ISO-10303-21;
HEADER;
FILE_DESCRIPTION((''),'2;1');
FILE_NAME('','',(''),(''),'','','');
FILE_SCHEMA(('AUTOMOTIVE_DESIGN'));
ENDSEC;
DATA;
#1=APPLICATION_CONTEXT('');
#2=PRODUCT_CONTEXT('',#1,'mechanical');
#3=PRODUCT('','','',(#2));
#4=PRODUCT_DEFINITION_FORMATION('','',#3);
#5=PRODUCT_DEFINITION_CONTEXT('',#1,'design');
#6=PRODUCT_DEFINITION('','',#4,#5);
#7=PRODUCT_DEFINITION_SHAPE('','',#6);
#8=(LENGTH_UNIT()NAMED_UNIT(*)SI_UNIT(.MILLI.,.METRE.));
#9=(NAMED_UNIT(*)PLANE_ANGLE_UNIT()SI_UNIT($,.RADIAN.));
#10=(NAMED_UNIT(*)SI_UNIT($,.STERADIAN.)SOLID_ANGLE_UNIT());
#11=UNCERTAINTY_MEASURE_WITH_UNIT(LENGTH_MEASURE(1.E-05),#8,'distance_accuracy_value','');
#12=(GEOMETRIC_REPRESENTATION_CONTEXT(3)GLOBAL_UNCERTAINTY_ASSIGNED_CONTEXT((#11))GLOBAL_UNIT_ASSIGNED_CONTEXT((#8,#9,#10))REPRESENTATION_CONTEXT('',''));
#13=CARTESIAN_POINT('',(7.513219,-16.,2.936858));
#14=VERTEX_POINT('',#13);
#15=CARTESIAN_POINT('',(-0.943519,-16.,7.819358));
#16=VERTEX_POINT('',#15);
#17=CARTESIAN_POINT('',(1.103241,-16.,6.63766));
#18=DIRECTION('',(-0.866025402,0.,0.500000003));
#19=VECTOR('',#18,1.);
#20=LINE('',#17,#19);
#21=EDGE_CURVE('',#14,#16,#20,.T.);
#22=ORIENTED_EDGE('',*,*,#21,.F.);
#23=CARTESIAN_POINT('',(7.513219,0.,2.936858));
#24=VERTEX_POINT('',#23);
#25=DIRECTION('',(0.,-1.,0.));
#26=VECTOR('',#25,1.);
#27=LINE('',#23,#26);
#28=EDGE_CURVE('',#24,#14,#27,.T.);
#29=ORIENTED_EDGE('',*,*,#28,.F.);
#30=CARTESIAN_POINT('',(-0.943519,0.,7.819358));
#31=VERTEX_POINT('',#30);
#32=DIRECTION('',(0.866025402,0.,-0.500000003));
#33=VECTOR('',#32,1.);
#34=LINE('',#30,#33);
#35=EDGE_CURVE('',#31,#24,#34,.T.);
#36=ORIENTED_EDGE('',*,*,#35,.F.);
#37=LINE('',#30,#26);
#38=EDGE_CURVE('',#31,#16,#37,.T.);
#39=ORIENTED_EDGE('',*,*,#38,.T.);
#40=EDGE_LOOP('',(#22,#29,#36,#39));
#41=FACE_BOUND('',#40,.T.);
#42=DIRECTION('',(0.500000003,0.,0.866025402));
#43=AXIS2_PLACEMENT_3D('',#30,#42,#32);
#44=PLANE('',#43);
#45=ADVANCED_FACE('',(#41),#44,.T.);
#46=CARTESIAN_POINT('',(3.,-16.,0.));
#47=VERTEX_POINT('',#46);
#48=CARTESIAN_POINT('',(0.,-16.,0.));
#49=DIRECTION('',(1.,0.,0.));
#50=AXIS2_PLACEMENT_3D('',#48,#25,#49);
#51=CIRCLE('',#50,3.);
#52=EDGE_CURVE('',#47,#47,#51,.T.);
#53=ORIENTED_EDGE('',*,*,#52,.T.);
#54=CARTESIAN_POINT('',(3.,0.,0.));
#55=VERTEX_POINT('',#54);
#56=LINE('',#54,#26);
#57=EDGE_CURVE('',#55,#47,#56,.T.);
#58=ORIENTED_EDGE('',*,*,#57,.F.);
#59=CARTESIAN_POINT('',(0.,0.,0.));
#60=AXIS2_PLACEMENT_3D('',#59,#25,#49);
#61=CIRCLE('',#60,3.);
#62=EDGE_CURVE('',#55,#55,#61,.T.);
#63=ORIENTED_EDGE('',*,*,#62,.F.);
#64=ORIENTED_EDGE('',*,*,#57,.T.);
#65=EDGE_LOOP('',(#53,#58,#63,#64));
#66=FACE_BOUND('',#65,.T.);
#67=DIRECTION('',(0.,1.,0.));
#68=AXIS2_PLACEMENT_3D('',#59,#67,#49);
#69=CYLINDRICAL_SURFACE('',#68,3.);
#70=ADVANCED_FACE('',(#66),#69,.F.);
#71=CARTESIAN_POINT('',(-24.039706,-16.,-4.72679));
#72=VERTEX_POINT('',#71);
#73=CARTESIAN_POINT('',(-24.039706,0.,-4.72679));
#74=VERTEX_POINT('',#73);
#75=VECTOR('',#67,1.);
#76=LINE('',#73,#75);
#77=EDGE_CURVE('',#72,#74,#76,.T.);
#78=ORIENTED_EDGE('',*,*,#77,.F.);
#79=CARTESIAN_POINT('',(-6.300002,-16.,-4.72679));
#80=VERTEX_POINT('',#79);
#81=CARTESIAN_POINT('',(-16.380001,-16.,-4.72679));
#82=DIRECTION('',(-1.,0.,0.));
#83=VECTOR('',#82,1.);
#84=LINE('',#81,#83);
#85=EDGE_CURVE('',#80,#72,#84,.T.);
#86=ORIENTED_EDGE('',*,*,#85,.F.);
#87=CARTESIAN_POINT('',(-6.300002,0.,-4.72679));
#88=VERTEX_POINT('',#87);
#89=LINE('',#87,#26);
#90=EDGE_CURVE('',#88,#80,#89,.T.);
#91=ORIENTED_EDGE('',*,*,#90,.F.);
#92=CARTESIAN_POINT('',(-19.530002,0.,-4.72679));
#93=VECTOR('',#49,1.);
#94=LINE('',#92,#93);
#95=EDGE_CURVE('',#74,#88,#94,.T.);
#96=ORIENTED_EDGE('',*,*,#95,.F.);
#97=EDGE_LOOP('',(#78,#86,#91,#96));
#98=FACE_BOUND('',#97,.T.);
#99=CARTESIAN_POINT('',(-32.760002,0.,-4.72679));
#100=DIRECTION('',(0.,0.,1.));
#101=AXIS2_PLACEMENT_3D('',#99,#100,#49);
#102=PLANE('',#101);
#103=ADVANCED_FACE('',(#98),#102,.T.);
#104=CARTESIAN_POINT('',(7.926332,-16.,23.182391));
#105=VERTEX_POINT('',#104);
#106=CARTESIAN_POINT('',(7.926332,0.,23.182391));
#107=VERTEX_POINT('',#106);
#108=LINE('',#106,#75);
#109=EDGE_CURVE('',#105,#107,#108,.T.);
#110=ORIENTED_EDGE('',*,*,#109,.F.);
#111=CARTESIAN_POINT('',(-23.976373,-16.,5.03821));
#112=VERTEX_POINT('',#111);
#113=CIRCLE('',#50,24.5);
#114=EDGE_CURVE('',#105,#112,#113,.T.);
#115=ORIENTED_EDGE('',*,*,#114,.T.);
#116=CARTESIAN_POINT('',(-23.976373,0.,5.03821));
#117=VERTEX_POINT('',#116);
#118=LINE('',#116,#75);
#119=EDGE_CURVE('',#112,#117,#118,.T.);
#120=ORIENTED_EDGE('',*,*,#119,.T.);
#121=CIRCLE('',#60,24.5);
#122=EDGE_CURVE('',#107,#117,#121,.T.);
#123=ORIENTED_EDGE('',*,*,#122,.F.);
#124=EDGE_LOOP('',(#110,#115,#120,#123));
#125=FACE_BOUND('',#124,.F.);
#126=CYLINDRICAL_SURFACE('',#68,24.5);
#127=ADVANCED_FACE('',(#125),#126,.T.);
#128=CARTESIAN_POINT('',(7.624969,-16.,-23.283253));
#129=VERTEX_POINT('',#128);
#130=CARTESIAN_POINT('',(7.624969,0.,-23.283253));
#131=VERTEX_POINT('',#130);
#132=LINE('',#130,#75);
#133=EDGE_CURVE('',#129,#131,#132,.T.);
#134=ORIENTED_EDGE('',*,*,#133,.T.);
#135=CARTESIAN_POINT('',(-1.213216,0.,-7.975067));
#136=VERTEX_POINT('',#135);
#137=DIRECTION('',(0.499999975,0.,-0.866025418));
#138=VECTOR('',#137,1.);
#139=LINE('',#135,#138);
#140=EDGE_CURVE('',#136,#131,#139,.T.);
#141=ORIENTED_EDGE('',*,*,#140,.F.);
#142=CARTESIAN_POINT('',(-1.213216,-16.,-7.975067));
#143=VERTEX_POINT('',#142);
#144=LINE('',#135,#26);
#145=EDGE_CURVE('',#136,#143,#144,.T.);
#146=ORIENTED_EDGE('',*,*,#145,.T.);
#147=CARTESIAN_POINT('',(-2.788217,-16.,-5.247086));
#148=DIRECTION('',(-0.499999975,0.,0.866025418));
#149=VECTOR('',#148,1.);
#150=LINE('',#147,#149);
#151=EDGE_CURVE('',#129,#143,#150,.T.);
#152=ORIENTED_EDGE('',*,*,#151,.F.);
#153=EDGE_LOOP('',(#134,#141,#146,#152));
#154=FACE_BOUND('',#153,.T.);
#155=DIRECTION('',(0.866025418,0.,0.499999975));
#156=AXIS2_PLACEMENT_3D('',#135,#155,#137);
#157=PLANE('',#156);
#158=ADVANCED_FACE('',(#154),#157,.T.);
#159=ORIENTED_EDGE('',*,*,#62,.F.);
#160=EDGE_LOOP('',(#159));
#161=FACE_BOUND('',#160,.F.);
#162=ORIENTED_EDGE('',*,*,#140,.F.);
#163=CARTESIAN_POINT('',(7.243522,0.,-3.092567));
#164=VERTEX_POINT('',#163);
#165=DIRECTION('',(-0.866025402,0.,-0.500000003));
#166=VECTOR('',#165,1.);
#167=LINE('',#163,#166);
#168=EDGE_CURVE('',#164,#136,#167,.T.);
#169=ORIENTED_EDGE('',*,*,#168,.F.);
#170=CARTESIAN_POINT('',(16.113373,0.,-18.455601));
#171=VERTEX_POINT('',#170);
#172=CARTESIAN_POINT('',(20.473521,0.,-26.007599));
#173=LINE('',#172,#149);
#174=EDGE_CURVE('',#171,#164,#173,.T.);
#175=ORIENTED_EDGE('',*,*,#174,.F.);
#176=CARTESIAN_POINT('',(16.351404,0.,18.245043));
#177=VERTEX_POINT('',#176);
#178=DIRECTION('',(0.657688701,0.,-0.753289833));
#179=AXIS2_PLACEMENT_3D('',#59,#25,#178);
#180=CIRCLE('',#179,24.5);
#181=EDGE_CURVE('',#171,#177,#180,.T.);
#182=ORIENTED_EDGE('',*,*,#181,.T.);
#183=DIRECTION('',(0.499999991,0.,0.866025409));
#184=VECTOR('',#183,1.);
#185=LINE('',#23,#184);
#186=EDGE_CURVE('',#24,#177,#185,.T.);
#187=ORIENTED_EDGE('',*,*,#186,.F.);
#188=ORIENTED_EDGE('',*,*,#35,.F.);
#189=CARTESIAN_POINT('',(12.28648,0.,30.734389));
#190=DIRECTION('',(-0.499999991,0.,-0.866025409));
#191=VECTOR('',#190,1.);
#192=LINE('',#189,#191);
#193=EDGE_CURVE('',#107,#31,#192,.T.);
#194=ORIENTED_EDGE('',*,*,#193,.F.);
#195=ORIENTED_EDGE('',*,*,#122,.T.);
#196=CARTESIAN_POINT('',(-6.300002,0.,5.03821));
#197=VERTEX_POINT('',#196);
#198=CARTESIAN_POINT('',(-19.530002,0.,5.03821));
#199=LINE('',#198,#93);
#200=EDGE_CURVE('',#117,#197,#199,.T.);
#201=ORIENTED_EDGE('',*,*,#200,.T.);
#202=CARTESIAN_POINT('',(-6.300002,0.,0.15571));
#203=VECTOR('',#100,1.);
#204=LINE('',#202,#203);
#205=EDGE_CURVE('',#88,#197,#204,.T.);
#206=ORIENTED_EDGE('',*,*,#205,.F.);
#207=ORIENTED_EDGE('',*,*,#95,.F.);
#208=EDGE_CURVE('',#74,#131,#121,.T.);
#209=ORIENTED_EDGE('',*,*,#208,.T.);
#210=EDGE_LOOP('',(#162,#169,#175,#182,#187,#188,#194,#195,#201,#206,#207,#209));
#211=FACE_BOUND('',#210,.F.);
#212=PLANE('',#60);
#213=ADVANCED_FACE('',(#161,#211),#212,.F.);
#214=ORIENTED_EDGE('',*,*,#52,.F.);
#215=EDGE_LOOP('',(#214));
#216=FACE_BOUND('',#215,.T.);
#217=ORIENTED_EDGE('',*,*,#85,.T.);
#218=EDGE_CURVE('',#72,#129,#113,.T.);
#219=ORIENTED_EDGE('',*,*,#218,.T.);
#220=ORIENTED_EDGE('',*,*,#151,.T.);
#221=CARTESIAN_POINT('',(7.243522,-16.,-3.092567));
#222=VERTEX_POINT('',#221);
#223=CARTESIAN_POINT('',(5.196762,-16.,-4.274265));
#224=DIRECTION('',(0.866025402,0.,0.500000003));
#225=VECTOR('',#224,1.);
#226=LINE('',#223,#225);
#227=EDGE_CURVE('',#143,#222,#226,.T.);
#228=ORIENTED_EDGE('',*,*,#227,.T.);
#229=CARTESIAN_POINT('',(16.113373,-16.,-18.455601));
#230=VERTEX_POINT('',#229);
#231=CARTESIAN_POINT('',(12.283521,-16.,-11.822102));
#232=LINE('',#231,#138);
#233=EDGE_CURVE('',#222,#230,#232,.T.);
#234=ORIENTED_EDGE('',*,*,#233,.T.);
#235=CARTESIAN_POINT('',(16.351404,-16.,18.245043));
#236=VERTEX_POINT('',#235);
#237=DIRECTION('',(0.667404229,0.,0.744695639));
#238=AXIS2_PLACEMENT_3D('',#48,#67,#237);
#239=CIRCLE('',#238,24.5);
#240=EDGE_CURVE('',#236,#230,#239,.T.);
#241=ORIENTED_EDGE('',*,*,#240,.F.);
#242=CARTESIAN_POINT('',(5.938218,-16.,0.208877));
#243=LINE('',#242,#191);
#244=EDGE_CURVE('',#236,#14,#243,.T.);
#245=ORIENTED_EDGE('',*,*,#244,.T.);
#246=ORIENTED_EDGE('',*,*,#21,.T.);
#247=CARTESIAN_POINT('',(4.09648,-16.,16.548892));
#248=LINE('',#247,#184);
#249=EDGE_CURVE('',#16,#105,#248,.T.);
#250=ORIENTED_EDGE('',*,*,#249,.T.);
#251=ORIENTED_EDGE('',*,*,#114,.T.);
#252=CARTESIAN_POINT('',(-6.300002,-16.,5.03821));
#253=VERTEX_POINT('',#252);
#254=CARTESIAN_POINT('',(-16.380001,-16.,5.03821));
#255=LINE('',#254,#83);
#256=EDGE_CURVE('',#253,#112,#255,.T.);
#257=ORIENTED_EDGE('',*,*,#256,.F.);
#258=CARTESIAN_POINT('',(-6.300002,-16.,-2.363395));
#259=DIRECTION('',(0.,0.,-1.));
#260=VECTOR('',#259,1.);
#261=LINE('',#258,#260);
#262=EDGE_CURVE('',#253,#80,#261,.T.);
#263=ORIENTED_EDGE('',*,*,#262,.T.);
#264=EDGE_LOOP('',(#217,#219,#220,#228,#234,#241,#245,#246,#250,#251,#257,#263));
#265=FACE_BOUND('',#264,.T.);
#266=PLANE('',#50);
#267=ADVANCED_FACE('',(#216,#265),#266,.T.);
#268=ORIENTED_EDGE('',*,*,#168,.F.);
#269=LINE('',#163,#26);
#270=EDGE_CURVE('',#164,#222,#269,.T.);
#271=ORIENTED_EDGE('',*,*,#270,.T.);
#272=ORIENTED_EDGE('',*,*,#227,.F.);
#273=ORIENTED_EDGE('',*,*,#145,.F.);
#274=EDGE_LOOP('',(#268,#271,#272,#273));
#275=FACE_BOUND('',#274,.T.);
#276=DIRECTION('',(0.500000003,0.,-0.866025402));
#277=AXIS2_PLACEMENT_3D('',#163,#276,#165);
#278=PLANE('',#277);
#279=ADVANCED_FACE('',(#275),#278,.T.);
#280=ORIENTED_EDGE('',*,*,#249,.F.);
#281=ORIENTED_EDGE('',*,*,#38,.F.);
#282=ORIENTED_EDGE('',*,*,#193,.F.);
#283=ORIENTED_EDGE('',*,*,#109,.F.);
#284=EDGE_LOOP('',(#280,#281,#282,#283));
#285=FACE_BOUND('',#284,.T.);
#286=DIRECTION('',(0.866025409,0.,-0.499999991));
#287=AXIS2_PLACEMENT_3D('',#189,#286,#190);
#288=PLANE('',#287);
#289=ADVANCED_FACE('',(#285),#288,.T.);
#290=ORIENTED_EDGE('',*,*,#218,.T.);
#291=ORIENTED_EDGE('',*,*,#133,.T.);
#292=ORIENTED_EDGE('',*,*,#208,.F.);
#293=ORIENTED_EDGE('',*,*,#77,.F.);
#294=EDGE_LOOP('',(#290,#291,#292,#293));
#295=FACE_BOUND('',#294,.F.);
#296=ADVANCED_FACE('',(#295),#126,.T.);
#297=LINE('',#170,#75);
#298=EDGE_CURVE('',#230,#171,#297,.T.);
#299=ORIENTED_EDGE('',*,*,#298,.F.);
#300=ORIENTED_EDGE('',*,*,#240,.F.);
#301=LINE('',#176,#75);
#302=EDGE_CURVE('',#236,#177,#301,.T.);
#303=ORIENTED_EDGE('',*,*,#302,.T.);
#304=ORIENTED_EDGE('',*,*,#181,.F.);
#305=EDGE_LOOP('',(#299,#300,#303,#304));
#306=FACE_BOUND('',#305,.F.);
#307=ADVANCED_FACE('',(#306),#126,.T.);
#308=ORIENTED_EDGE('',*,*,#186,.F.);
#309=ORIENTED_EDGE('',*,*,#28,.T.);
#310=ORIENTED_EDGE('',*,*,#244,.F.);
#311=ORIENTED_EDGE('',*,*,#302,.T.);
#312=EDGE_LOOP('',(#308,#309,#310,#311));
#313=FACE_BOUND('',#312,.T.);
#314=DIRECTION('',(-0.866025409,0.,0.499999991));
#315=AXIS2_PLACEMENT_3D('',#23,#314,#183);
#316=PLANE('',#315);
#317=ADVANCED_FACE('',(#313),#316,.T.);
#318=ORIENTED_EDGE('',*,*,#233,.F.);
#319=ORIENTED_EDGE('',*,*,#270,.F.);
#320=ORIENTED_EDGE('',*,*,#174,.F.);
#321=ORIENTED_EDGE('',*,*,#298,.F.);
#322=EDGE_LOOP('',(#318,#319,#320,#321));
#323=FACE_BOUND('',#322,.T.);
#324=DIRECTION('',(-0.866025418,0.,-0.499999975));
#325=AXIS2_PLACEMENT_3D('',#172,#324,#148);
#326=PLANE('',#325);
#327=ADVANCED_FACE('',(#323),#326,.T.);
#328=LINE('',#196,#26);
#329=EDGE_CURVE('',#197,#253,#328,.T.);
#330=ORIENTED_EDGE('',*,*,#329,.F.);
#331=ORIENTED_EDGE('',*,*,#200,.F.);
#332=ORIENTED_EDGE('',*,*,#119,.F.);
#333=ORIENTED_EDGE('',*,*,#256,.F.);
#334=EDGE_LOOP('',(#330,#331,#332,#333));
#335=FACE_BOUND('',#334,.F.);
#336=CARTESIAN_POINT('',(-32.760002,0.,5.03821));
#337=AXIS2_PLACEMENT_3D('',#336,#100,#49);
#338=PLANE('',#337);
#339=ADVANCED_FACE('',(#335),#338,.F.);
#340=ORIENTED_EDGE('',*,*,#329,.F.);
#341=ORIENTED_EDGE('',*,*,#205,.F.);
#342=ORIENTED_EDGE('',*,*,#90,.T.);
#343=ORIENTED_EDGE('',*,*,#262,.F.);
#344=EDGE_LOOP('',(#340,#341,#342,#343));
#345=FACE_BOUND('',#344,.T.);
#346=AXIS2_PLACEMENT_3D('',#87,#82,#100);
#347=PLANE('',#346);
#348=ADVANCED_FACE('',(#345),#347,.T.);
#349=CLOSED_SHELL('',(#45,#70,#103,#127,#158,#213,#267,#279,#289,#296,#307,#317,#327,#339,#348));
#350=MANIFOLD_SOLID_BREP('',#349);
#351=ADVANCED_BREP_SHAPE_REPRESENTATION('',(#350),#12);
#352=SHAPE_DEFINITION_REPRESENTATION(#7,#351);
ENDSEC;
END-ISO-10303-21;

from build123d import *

# Parameters (mm, degrees)
F0_R     = 24.5
F0_R_2   = 3
F1_DEPTH = 16
F2_W     = 26.459999
F2_H     = 9.765
F3_DEPTH = 25


with BuildPart() as f1:
    # F0 (on Front) → F1 (new body)
    with BuildSketch(Plane.XZ):
        Circle(F0_R)
        Circle(F0_R_2, mode=Mode.SUBTRACT)
    extrude(amount=F1_DEPTH)

    # F2 (on Front) → F3 (cut)
    with BuildSketch(Plane.XZ):
        Polygon((7.513219, 2.936858), (20.743218, 25.851889), (12.28648, 30.734389), (-0.943519, 7.819358), align=None)
        Polygon((-1.213216, -7.975067), (12.016783, -30.890099), (20.473521, -26.007599), (7.243522, -3.092567), align=None)
        with Locations((-19.530002, 0.15571)):
            Rectangle(F2_W, F2_H)
    extrude(amount=F3_DEPTH, mode=Mode.SUBTRACT)


solid = f1.part
